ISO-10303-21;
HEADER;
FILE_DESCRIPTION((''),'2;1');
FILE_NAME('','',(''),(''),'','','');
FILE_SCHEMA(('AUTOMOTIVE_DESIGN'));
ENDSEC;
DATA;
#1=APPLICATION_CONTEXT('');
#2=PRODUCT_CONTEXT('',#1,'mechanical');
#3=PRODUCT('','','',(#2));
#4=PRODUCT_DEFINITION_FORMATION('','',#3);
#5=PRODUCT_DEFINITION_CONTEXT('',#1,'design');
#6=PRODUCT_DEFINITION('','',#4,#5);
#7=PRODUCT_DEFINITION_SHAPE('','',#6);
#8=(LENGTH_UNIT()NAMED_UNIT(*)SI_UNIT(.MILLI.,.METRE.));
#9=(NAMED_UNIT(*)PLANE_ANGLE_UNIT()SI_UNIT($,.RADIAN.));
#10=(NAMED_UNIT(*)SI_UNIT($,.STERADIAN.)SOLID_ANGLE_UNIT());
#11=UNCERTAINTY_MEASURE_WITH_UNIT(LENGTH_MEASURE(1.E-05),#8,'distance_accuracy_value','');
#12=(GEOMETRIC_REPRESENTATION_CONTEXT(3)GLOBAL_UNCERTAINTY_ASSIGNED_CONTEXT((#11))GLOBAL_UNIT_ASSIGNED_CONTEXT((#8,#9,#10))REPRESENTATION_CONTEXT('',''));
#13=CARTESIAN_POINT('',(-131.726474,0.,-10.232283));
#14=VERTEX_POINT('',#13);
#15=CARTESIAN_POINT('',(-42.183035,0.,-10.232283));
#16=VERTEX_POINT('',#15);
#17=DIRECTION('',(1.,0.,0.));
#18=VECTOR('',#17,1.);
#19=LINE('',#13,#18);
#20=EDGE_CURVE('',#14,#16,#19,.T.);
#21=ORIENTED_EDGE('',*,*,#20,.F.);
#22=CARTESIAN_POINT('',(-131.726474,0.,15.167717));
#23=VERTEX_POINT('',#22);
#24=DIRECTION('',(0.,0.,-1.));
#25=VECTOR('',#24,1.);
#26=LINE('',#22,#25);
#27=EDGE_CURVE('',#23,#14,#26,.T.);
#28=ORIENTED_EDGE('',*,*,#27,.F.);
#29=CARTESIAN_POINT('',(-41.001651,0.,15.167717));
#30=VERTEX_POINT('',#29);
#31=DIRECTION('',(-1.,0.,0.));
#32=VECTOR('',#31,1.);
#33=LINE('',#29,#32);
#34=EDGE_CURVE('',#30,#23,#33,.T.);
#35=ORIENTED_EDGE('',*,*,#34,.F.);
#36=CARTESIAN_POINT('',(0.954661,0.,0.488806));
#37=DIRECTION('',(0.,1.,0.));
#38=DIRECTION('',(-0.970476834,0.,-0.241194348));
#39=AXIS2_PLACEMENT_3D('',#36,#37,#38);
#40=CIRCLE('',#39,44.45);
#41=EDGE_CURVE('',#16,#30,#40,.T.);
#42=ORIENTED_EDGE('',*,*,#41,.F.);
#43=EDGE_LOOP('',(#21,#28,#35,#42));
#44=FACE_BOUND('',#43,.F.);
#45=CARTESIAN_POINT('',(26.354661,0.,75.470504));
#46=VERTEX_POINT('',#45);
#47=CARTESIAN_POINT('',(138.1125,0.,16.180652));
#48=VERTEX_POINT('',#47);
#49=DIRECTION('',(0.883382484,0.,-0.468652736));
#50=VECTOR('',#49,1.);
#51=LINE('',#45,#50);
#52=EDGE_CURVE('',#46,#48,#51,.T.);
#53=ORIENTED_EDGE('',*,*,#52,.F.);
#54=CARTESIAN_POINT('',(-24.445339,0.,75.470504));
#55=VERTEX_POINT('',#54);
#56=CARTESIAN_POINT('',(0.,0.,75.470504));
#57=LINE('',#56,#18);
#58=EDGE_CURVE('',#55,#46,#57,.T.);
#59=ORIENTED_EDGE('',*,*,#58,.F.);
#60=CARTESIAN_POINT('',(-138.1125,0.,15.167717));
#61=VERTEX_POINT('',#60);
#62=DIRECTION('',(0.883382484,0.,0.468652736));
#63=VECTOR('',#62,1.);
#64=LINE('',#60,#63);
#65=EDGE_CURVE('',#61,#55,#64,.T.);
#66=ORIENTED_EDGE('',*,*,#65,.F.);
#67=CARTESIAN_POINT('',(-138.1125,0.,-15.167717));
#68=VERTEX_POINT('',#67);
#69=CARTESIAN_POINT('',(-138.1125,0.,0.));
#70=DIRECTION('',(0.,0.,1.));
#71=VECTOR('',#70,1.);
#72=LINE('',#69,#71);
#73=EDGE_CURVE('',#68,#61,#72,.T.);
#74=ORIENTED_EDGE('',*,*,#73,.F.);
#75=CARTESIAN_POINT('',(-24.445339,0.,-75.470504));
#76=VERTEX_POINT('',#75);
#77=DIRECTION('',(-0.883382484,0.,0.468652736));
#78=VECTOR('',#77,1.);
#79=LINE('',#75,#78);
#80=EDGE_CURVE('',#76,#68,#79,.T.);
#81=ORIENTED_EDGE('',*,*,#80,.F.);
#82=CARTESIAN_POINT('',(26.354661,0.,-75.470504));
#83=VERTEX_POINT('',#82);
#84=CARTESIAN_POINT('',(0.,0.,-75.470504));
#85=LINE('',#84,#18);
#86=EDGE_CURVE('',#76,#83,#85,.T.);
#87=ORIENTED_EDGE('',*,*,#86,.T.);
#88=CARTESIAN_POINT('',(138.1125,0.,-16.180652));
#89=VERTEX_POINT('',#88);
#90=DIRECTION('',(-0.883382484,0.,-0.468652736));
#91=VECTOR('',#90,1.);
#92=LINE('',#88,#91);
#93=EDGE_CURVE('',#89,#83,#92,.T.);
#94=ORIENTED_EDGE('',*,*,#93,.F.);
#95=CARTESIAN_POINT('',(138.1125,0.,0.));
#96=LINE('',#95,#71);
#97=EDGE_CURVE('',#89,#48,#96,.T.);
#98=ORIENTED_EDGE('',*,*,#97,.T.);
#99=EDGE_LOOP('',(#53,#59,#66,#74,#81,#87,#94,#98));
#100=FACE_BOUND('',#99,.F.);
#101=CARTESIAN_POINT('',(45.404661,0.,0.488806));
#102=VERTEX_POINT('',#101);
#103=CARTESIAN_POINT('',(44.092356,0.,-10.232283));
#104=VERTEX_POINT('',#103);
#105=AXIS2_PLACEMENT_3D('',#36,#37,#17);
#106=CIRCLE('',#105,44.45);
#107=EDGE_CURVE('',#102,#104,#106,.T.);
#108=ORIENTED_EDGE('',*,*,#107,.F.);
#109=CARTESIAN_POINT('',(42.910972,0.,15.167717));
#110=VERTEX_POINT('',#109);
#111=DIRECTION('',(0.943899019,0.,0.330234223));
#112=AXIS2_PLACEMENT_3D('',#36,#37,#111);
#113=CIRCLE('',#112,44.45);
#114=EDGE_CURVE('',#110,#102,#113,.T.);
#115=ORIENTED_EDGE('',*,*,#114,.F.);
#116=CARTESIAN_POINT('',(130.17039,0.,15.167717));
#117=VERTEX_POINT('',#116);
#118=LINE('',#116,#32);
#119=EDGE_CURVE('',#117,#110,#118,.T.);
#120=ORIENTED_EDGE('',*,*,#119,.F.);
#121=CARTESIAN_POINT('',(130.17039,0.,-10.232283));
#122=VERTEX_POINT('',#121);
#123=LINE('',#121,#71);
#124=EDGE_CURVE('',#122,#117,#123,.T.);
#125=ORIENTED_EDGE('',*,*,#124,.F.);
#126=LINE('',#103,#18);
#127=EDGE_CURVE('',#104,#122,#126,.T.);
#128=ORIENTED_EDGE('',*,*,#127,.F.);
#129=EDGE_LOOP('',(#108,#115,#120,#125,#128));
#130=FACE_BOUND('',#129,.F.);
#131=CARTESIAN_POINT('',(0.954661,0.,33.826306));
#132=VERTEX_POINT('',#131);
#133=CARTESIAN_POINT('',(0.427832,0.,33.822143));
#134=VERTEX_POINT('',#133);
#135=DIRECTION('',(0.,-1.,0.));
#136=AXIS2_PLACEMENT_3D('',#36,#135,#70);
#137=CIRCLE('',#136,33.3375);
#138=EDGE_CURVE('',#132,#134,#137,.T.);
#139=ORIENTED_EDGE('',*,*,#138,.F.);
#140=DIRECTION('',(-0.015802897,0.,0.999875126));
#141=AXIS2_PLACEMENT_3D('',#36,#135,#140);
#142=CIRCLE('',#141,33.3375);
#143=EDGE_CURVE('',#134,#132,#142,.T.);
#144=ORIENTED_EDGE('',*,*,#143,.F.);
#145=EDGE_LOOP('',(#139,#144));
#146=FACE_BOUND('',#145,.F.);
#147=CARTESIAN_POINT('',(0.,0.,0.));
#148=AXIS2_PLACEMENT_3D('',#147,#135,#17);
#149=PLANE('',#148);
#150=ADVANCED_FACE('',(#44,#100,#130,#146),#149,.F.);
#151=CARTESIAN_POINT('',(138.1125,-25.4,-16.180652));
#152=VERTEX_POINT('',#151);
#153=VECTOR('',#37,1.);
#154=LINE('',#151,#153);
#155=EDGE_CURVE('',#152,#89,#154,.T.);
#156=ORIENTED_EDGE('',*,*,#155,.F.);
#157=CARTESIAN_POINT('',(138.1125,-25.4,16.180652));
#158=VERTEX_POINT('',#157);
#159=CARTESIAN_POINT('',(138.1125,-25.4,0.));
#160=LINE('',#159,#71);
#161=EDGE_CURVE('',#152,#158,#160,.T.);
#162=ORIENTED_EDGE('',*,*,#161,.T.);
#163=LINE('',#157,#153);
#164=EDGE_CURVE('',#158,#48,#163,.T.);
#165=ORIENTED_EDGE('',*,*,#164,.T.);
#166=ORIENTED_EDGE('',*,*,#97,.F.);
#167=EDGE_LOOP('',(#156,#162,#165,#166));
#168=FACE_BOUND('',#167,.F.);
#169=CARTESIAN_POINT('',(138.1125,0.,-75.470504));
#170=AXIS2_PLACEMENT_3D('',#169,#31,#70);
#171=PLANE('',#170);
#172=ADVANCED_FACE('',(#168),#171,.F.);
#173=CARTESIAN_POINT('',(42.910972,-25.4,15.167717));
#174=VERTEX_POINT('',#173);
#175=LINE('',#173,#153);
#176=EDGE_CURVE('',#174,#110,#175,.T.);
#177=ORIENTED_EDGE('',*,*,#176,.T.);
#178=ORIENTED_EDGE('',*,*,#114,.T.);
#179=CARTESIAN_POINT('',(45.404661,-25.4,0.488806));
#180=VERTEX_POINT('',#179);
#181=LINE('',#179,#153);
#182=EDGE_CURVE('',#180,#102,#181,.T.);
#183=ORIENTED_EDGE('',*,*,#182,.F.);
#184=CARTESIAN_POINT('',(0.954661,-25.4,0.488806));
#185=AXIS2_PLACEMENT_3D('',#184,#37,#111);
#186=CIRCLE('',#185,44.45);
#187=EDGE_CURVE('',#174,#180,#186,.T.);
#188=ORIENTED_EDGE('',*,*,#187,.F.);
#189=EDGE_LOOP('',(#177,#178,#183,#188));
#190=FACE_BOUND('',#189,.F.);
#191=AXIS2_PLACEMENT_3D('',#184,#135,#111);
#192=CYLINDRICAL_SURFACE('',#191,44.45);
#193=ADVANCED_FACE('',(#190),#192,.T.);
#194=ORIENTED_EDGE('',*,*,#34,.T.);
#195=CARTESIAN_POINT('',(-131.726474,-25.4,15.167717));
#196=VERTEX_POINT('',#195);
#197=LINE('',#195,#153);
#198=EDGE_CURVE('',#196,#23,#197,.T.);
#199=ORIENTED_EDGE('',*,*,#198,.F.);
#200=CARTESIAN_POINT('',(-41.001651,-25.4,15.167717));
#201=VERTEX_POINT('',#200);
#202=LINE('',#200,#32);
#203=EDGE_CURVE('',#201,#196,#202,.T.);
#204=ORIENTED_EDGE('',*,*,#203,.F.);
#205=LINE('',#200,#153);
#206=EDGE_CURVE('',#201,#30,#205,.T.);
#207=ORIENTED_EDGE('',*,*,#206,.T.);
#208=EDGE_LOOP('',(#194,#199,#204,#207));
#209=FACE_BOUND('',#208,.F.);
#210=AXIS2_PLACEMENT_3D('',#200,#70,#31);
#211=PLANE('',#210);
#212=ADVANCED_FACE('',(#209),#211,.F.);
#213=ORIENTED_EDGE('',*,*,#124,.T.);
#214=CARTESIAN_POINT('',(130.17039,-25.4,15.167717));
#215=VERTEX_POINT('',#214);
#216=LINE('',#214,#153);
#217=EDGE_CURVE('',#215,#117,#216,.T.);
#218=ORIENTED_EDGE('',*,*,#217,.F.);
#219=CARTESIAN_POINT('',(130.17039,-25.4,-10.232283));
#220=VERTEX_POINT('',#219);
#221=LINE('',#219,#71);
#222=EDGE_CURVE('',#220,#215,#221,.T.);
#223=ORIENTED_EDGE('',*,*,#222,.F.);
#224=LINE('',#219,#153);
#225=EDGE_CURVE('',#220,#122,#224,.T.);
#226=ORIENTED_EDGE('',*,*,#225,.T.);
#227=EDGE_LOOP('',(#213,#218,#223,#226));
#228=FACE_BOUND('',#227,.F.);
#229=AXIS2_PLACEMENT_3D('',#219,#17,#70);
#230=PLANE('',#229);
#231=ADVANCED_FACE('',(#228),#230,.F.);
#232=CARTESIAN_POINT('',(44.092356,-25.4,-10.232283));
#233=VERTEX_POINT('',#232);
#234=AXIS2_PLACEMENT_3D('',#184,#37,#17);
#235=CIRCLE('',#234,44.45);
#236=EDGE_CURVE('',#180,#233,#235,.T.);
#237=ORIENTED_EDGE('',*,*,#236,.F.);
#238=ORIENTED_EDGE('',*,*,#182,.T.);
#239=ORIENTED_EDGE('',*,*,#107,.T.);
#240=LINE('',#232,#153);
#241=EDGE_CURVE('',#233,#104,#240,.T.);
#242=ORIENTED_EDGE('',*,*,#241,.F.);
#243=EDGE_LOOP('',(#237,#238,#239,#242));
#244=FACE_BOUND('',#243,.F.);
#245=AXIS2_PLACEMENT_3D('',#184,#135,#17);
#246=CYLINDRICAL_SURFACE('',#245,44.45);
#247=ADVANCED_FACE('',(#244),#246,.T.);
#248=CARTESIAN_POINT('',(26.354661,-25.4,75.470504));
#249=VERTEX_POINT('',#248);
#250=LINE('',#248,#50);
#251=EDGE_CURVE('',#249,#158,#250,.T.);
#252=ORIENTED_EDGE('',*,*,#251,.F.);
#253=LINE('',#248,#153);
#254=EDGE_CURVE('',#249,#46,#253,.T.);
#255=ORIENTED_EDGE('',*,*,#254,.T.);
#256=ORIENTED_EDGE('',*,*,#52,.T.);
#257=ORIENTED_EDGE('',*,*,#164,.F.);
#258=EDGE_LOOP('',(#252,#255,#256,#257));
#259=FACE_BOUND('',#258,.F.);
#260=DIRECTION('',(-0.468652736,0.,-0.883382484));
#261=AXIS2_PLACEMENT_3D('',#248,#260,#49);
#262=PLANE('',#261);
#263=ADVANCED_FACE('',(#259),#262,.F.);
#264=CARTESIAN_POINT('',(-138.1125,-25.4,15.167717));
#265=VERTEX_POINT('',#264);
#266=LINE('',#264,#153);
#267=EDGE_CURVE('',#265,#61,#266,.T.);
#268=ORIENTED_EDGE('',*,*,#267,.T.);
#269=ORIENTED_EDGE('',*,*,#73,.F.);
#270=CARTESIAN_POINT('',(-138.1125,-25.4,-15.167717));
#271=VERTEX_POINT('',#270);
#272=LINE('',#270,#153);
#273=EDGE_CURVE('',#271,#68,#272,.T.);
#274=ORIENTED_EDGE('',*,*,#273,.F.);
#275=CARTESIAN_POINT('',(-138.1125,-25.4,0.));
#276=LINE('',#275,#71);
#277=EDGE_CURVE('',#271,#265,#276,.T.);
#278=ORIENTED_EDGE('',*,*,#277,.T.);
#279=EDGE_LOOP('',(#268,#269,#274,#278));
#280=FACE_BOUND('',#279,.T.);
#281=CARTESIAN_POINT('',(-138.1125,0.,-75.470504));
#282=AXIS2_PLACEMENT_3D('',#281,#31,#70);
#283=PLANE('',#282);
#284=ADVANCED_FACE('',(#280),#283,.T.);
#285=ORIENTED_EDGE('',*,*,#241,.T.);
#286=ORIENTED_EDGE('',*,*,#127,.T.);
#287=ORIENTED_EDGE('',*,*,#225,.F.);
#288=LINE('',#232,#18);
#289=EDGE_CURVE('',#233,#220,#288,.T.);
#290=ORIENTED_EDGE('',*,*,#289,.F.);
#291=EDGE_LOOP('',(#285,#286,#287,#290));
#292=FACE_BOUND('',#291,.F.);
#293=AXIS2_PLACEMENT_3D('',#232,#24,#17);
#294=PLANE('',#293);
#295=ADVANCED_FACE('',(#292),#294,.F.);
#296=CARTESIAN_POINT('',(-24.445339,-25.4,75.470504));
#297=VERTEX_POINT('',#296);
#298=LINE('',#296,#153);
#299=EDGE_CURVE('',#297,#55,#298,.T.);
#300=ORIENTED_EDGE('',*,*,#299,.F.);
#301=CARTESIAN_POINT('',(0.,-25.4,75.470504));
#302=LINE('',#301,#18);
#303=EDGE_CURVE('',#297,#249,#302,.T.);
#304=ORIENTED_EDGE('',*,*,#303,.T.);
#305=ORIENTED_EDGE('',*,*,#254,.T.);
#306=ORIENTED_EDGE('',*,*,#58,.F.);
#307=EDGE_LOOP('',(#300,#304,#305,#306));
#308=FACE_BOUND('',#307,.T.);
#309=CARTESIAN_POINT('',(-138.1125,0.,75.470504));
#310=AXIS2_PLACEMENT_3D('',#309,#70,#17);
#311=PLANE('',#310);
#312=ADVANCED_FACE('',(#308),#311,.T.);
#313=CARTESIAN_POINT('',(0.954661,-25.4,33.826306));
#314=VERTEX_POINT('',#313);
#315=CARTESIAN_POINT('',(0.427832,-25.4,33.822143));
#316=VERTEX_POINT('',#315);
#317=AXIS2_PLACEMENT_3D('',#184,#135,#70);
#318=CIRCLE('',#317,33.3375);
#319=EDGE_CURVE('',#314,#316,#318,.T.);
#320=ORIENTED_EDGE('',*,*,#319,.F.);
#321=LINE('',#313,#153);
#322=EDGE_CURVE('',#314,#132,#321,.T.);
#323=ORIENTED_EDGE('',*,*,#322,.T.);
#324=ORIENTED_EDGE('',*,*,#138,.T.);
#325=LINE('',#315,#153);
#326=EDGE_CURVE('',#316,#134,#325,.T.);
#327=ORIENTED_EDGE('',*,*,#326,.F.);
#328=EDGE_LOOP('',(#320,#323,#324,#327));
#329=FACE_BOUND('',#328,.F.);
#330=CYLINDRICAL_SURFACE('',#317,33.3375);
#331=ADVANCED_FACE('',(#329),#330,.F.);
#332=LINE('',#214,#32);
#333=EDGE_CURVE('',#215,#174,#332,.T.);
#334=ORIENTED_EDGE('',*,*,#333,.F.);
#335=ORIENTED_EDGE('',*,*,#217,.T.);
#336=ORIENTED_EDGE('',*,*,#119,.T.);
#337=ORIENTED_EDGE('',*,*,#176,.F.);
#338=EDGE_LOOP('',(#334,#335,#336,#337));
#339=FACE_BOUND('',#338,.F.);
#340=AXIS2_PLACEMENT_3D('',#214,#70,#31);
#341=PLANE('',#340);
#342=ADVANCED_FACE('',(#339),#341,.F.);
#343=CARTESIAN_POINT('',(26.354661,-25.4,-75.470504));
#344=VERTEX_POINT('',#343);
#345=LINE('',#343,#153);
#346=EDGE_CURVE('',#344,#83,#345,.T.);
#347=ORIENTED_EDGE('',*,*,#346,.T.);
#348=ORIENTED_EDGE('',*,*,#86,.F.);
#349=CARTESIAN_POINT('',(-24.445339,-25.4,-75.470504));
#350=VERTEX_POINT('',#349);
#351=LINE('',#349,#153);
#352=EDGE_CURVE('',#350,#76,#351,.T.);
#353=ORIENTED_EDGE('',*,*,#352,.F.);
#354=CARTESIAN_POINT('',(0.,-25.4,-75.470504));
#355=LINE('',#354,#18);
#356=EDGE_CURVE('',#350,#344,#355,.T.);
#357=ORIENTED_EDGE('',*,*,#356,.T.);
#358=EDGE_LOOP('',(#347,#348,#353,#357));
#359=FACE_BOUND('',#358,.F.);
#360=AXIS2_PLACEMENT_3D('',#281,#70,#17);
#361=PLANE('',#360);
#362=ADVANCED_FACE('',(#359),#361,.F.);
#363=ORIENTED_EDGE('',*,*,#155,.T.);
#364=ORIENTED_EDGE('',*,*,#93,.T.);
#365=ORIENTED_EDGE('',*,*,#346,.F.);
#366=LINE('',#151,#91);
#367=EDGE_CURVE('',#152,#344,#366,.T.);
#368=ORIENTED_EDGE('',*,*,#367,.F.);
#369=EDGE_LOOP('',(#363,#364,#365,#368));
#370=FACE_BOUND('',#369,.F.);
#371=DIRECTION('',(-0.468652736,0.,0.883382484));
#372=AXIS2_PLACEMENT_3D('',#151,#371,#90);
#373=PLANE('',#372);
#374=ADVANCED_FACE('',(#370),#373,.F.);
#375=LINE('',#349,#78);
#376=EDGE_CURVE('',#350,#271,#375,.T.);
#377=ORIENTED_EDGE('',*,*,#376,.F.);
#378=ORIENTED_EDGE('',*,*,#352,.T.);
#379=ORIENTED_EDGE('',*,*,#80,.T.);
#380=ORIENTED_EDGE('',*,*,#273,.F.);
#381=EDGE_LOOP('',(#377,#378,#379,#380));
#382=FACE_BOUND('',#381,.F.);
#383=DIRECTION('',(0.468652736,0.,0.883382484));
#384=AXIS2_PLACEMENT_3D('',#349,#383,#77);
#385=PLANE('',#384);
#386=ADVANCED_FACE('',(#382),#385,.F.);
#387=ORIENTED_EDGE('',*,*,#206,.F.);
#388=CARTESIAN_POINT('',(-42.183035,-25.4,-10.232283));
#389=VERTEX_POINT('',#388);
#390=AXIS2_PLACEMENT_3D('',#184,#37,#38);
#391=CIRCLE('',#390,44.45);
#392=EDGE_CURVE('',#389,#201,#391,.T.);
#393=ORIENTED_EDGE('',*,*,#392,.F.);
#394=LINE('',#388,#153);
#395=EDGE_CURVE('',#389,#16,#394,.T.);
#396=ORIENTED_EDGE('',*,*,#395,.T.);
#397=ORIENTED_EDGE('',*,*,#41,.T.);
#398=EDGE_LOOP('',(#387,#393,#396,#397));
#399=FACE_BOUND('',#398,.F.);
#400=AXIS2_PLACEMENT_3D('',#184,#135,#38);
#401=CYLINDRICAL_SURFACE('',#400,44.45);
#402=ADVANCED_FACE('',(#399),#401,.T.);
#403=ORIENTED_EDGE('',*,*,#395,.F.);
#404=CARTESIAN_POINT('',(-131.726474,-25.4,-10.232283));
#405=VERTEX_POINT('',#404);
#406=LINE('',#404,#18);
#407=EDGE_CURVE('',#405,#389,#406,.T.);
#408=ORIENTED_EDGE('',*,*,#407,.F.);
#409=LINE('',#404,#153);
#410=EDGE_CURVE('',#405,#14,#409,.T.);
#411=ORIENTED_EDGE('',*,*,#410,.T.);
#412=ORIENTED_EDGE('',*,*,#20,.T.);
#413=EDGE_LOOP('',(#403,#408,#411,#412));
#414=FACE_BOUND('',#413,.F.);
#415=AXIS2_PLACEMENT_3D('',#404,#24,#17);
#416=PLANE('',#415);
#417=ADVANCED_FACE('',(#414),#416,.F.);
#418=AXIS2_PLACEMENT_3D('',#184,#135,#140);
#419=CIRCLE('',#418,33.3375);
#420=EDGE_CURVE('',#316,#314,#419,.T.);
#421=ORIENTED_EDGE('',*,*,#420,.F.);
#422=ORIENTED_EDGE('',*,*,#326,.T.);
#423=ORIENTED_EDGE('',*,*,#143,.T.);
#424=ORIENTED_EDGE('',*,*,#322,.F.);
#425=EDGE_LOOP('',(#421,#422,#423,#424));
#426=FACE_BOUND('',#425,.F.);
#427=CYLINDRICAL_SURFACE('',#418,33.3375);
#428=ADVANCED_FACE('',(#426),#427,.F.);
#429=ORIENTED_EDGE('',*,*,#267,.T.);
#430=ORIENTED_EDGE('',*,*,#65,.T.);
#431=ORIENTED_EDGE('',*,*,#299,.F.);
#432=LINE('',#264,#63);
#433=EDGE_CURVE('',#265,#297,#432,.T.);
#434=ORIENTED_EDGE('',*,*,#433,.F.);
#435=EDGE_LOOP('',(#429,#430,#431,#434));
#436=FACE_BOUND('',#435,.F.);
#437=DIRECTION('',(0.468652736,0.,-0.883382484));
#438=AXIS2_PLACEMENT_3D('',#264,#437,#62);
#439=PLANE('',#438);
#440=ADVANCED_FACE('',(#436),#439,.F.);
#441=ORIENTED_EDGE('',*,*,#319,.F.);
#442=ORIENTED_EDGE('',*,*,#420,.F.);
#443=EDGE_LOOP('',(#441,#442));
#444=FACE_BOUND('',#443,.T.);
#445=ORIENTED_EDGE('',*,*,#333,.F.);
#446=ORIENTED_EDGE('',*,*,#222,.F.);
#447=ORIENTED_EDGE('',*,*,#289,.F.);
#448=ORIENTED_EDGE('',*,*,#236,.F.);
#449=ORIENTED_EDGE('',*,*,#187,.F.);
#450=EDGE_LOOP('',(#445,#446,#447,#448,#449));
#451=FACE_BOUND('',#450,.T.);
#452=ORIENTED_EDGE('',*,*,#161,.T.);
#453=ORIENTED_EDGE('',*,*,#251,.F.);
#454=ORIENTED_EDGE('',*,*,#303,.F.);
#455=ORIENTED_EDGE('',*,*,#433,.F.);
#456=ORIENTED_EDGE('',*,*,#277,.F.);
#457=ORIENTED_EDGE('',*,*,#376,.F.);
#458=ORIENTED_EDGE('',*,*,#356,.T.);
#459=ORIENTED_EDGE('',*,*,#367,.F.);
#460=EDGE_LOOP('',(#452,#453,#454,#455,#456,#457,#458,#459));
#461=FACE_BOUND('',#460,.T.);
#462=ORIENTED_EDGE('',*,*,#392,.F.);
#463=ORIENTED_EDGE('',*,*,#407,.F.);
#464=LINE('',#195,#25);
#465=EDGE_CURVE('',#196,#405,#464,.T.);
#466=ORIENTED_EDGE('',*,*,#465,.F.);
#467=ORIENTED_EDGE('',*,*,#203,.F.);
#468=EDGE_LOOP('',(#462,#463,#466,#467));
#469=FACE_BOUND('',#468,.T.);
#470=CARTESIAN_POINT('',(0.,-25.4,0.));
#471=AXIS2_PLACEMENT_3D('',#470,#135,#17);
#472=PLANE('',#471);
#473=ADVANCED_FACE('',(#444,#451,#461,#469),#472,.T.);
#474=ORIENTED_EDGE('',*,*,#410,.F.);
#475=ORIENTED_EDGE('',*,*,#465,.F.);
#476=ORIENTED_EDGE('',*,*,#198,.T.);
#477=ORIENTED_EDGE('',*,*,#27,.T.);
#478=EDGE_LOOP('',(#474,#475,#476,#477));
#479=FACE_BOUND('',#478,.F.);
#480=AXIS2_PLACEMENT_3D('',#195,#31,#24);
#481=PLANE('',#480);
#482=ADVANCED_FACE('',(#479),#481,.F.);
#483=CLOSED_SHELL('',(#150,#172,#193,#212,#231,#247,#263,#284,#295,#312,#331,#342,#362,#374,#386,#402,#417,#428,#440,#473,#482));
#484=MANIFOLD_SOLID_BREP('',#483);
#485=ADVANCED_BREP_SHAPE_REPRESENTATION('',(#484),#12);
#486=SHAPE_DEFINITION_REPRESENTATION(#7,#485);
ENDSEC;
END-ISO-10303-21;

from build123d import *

# Parameters (mm, degrees)
F0_W     = 276.225
F0_H     = 150.9410084384
F1_DEPTH = 25.4
F3_DEPTH = 25.4


with BuildPart() as f1:
    # F0 (on Front) → F1 (new body)
    with BuildSketch(Plane.XZ):
        Rectangle(F0_W, F0_H)
    extrude(amount=F1_DEPTH)

    # F2 (on face) → F3 (cut)
    with BuildSketch(Plane.XZ.offset(25.4)):
        Polygon((-138.1125, 15.167717062), (-24.4453392207, 75.4705042192), (-138.1125, 75.4705042192), align=None)
        Polygon((-138.1125, -75.4705042192), (-24.4453392207, -75.4705042192), (-138.1125, -15.167717062), align=None)
        Polygon((138.1125, 75.4705042192), (26.3546607793, 75.4705042192), (138.1125, 16.1806517634), align=None)
        Polygon((138.1125, -16.1806517634), (26.3546607793, -75.4705042192), (138.1125, -75.4705042192), align=None)
        with BuildLine():
            Line((0.9546607793, -32.84869415), (0.9546607793, 33.82630585))
            ThreePointArc((0.9546607793, 33.82630585), (0.6912380103, 33.8252650905), (0.4278316888, 33.822142877))
            ThreePointArc((0.4278316888, 33.822142877), (-32.3817984612, 0.225383081), (0.9546607793, -32.84869415))
        make_face()
        with BuildLine():
            ThreePointArc((0.9546607793, -32.84869415), (24.5278330971, -23.0843664678), (34.2921607793, 0.48880585))
            ThreePointArc((34.2921607793, 0.48880585), (24.5278330971, 24.0619781678), (0.9546607793, 33.82630585))
            Line((0.9546607793, 33.82630585), (0.9546607793, -32.84869415))
        make_face()
        with BuildLine():
            Line((-131.7264735699, -10.232282938), (-42.1830345138, -10.232282938))
            ThreePointArc((-42.1830345138, -10.232282938), (-43.4473379757, 2.5539950823), (-41.0016506128, 15.167717062))
            Line((-41.0016506128, 15.167717062), (-131.7264735699, 15.167717062))
            Line((-131.7264735699, 15.167717062), (-131.7264735699, -10.232282938))
        make_face()
        with BuildLine():
            Line((130.1703900099, 15.167717062), (42.9109721714, 15.167717062))
            ThreePointArc((42.9109721714, 15.167717062), (44.7768043906, 7.9334166062), (45.4046607793, 0.48880585))
            ThreePointArc((45.4046607793, 0.48880585), (45.0753648522, -4.9117470949), (44.0923560724, -10.232282938))
            Line((44.0923560724, -10.232282938), (130.1703900099, -10.232282938))
            Line((130.1703900099, -10.232282938), (130.1703900099, 15.167717062))
        make_face()
    extrude(amount=-F3_DEPTH, mode=Mode.SUBTRACT)


solid = f1.part
